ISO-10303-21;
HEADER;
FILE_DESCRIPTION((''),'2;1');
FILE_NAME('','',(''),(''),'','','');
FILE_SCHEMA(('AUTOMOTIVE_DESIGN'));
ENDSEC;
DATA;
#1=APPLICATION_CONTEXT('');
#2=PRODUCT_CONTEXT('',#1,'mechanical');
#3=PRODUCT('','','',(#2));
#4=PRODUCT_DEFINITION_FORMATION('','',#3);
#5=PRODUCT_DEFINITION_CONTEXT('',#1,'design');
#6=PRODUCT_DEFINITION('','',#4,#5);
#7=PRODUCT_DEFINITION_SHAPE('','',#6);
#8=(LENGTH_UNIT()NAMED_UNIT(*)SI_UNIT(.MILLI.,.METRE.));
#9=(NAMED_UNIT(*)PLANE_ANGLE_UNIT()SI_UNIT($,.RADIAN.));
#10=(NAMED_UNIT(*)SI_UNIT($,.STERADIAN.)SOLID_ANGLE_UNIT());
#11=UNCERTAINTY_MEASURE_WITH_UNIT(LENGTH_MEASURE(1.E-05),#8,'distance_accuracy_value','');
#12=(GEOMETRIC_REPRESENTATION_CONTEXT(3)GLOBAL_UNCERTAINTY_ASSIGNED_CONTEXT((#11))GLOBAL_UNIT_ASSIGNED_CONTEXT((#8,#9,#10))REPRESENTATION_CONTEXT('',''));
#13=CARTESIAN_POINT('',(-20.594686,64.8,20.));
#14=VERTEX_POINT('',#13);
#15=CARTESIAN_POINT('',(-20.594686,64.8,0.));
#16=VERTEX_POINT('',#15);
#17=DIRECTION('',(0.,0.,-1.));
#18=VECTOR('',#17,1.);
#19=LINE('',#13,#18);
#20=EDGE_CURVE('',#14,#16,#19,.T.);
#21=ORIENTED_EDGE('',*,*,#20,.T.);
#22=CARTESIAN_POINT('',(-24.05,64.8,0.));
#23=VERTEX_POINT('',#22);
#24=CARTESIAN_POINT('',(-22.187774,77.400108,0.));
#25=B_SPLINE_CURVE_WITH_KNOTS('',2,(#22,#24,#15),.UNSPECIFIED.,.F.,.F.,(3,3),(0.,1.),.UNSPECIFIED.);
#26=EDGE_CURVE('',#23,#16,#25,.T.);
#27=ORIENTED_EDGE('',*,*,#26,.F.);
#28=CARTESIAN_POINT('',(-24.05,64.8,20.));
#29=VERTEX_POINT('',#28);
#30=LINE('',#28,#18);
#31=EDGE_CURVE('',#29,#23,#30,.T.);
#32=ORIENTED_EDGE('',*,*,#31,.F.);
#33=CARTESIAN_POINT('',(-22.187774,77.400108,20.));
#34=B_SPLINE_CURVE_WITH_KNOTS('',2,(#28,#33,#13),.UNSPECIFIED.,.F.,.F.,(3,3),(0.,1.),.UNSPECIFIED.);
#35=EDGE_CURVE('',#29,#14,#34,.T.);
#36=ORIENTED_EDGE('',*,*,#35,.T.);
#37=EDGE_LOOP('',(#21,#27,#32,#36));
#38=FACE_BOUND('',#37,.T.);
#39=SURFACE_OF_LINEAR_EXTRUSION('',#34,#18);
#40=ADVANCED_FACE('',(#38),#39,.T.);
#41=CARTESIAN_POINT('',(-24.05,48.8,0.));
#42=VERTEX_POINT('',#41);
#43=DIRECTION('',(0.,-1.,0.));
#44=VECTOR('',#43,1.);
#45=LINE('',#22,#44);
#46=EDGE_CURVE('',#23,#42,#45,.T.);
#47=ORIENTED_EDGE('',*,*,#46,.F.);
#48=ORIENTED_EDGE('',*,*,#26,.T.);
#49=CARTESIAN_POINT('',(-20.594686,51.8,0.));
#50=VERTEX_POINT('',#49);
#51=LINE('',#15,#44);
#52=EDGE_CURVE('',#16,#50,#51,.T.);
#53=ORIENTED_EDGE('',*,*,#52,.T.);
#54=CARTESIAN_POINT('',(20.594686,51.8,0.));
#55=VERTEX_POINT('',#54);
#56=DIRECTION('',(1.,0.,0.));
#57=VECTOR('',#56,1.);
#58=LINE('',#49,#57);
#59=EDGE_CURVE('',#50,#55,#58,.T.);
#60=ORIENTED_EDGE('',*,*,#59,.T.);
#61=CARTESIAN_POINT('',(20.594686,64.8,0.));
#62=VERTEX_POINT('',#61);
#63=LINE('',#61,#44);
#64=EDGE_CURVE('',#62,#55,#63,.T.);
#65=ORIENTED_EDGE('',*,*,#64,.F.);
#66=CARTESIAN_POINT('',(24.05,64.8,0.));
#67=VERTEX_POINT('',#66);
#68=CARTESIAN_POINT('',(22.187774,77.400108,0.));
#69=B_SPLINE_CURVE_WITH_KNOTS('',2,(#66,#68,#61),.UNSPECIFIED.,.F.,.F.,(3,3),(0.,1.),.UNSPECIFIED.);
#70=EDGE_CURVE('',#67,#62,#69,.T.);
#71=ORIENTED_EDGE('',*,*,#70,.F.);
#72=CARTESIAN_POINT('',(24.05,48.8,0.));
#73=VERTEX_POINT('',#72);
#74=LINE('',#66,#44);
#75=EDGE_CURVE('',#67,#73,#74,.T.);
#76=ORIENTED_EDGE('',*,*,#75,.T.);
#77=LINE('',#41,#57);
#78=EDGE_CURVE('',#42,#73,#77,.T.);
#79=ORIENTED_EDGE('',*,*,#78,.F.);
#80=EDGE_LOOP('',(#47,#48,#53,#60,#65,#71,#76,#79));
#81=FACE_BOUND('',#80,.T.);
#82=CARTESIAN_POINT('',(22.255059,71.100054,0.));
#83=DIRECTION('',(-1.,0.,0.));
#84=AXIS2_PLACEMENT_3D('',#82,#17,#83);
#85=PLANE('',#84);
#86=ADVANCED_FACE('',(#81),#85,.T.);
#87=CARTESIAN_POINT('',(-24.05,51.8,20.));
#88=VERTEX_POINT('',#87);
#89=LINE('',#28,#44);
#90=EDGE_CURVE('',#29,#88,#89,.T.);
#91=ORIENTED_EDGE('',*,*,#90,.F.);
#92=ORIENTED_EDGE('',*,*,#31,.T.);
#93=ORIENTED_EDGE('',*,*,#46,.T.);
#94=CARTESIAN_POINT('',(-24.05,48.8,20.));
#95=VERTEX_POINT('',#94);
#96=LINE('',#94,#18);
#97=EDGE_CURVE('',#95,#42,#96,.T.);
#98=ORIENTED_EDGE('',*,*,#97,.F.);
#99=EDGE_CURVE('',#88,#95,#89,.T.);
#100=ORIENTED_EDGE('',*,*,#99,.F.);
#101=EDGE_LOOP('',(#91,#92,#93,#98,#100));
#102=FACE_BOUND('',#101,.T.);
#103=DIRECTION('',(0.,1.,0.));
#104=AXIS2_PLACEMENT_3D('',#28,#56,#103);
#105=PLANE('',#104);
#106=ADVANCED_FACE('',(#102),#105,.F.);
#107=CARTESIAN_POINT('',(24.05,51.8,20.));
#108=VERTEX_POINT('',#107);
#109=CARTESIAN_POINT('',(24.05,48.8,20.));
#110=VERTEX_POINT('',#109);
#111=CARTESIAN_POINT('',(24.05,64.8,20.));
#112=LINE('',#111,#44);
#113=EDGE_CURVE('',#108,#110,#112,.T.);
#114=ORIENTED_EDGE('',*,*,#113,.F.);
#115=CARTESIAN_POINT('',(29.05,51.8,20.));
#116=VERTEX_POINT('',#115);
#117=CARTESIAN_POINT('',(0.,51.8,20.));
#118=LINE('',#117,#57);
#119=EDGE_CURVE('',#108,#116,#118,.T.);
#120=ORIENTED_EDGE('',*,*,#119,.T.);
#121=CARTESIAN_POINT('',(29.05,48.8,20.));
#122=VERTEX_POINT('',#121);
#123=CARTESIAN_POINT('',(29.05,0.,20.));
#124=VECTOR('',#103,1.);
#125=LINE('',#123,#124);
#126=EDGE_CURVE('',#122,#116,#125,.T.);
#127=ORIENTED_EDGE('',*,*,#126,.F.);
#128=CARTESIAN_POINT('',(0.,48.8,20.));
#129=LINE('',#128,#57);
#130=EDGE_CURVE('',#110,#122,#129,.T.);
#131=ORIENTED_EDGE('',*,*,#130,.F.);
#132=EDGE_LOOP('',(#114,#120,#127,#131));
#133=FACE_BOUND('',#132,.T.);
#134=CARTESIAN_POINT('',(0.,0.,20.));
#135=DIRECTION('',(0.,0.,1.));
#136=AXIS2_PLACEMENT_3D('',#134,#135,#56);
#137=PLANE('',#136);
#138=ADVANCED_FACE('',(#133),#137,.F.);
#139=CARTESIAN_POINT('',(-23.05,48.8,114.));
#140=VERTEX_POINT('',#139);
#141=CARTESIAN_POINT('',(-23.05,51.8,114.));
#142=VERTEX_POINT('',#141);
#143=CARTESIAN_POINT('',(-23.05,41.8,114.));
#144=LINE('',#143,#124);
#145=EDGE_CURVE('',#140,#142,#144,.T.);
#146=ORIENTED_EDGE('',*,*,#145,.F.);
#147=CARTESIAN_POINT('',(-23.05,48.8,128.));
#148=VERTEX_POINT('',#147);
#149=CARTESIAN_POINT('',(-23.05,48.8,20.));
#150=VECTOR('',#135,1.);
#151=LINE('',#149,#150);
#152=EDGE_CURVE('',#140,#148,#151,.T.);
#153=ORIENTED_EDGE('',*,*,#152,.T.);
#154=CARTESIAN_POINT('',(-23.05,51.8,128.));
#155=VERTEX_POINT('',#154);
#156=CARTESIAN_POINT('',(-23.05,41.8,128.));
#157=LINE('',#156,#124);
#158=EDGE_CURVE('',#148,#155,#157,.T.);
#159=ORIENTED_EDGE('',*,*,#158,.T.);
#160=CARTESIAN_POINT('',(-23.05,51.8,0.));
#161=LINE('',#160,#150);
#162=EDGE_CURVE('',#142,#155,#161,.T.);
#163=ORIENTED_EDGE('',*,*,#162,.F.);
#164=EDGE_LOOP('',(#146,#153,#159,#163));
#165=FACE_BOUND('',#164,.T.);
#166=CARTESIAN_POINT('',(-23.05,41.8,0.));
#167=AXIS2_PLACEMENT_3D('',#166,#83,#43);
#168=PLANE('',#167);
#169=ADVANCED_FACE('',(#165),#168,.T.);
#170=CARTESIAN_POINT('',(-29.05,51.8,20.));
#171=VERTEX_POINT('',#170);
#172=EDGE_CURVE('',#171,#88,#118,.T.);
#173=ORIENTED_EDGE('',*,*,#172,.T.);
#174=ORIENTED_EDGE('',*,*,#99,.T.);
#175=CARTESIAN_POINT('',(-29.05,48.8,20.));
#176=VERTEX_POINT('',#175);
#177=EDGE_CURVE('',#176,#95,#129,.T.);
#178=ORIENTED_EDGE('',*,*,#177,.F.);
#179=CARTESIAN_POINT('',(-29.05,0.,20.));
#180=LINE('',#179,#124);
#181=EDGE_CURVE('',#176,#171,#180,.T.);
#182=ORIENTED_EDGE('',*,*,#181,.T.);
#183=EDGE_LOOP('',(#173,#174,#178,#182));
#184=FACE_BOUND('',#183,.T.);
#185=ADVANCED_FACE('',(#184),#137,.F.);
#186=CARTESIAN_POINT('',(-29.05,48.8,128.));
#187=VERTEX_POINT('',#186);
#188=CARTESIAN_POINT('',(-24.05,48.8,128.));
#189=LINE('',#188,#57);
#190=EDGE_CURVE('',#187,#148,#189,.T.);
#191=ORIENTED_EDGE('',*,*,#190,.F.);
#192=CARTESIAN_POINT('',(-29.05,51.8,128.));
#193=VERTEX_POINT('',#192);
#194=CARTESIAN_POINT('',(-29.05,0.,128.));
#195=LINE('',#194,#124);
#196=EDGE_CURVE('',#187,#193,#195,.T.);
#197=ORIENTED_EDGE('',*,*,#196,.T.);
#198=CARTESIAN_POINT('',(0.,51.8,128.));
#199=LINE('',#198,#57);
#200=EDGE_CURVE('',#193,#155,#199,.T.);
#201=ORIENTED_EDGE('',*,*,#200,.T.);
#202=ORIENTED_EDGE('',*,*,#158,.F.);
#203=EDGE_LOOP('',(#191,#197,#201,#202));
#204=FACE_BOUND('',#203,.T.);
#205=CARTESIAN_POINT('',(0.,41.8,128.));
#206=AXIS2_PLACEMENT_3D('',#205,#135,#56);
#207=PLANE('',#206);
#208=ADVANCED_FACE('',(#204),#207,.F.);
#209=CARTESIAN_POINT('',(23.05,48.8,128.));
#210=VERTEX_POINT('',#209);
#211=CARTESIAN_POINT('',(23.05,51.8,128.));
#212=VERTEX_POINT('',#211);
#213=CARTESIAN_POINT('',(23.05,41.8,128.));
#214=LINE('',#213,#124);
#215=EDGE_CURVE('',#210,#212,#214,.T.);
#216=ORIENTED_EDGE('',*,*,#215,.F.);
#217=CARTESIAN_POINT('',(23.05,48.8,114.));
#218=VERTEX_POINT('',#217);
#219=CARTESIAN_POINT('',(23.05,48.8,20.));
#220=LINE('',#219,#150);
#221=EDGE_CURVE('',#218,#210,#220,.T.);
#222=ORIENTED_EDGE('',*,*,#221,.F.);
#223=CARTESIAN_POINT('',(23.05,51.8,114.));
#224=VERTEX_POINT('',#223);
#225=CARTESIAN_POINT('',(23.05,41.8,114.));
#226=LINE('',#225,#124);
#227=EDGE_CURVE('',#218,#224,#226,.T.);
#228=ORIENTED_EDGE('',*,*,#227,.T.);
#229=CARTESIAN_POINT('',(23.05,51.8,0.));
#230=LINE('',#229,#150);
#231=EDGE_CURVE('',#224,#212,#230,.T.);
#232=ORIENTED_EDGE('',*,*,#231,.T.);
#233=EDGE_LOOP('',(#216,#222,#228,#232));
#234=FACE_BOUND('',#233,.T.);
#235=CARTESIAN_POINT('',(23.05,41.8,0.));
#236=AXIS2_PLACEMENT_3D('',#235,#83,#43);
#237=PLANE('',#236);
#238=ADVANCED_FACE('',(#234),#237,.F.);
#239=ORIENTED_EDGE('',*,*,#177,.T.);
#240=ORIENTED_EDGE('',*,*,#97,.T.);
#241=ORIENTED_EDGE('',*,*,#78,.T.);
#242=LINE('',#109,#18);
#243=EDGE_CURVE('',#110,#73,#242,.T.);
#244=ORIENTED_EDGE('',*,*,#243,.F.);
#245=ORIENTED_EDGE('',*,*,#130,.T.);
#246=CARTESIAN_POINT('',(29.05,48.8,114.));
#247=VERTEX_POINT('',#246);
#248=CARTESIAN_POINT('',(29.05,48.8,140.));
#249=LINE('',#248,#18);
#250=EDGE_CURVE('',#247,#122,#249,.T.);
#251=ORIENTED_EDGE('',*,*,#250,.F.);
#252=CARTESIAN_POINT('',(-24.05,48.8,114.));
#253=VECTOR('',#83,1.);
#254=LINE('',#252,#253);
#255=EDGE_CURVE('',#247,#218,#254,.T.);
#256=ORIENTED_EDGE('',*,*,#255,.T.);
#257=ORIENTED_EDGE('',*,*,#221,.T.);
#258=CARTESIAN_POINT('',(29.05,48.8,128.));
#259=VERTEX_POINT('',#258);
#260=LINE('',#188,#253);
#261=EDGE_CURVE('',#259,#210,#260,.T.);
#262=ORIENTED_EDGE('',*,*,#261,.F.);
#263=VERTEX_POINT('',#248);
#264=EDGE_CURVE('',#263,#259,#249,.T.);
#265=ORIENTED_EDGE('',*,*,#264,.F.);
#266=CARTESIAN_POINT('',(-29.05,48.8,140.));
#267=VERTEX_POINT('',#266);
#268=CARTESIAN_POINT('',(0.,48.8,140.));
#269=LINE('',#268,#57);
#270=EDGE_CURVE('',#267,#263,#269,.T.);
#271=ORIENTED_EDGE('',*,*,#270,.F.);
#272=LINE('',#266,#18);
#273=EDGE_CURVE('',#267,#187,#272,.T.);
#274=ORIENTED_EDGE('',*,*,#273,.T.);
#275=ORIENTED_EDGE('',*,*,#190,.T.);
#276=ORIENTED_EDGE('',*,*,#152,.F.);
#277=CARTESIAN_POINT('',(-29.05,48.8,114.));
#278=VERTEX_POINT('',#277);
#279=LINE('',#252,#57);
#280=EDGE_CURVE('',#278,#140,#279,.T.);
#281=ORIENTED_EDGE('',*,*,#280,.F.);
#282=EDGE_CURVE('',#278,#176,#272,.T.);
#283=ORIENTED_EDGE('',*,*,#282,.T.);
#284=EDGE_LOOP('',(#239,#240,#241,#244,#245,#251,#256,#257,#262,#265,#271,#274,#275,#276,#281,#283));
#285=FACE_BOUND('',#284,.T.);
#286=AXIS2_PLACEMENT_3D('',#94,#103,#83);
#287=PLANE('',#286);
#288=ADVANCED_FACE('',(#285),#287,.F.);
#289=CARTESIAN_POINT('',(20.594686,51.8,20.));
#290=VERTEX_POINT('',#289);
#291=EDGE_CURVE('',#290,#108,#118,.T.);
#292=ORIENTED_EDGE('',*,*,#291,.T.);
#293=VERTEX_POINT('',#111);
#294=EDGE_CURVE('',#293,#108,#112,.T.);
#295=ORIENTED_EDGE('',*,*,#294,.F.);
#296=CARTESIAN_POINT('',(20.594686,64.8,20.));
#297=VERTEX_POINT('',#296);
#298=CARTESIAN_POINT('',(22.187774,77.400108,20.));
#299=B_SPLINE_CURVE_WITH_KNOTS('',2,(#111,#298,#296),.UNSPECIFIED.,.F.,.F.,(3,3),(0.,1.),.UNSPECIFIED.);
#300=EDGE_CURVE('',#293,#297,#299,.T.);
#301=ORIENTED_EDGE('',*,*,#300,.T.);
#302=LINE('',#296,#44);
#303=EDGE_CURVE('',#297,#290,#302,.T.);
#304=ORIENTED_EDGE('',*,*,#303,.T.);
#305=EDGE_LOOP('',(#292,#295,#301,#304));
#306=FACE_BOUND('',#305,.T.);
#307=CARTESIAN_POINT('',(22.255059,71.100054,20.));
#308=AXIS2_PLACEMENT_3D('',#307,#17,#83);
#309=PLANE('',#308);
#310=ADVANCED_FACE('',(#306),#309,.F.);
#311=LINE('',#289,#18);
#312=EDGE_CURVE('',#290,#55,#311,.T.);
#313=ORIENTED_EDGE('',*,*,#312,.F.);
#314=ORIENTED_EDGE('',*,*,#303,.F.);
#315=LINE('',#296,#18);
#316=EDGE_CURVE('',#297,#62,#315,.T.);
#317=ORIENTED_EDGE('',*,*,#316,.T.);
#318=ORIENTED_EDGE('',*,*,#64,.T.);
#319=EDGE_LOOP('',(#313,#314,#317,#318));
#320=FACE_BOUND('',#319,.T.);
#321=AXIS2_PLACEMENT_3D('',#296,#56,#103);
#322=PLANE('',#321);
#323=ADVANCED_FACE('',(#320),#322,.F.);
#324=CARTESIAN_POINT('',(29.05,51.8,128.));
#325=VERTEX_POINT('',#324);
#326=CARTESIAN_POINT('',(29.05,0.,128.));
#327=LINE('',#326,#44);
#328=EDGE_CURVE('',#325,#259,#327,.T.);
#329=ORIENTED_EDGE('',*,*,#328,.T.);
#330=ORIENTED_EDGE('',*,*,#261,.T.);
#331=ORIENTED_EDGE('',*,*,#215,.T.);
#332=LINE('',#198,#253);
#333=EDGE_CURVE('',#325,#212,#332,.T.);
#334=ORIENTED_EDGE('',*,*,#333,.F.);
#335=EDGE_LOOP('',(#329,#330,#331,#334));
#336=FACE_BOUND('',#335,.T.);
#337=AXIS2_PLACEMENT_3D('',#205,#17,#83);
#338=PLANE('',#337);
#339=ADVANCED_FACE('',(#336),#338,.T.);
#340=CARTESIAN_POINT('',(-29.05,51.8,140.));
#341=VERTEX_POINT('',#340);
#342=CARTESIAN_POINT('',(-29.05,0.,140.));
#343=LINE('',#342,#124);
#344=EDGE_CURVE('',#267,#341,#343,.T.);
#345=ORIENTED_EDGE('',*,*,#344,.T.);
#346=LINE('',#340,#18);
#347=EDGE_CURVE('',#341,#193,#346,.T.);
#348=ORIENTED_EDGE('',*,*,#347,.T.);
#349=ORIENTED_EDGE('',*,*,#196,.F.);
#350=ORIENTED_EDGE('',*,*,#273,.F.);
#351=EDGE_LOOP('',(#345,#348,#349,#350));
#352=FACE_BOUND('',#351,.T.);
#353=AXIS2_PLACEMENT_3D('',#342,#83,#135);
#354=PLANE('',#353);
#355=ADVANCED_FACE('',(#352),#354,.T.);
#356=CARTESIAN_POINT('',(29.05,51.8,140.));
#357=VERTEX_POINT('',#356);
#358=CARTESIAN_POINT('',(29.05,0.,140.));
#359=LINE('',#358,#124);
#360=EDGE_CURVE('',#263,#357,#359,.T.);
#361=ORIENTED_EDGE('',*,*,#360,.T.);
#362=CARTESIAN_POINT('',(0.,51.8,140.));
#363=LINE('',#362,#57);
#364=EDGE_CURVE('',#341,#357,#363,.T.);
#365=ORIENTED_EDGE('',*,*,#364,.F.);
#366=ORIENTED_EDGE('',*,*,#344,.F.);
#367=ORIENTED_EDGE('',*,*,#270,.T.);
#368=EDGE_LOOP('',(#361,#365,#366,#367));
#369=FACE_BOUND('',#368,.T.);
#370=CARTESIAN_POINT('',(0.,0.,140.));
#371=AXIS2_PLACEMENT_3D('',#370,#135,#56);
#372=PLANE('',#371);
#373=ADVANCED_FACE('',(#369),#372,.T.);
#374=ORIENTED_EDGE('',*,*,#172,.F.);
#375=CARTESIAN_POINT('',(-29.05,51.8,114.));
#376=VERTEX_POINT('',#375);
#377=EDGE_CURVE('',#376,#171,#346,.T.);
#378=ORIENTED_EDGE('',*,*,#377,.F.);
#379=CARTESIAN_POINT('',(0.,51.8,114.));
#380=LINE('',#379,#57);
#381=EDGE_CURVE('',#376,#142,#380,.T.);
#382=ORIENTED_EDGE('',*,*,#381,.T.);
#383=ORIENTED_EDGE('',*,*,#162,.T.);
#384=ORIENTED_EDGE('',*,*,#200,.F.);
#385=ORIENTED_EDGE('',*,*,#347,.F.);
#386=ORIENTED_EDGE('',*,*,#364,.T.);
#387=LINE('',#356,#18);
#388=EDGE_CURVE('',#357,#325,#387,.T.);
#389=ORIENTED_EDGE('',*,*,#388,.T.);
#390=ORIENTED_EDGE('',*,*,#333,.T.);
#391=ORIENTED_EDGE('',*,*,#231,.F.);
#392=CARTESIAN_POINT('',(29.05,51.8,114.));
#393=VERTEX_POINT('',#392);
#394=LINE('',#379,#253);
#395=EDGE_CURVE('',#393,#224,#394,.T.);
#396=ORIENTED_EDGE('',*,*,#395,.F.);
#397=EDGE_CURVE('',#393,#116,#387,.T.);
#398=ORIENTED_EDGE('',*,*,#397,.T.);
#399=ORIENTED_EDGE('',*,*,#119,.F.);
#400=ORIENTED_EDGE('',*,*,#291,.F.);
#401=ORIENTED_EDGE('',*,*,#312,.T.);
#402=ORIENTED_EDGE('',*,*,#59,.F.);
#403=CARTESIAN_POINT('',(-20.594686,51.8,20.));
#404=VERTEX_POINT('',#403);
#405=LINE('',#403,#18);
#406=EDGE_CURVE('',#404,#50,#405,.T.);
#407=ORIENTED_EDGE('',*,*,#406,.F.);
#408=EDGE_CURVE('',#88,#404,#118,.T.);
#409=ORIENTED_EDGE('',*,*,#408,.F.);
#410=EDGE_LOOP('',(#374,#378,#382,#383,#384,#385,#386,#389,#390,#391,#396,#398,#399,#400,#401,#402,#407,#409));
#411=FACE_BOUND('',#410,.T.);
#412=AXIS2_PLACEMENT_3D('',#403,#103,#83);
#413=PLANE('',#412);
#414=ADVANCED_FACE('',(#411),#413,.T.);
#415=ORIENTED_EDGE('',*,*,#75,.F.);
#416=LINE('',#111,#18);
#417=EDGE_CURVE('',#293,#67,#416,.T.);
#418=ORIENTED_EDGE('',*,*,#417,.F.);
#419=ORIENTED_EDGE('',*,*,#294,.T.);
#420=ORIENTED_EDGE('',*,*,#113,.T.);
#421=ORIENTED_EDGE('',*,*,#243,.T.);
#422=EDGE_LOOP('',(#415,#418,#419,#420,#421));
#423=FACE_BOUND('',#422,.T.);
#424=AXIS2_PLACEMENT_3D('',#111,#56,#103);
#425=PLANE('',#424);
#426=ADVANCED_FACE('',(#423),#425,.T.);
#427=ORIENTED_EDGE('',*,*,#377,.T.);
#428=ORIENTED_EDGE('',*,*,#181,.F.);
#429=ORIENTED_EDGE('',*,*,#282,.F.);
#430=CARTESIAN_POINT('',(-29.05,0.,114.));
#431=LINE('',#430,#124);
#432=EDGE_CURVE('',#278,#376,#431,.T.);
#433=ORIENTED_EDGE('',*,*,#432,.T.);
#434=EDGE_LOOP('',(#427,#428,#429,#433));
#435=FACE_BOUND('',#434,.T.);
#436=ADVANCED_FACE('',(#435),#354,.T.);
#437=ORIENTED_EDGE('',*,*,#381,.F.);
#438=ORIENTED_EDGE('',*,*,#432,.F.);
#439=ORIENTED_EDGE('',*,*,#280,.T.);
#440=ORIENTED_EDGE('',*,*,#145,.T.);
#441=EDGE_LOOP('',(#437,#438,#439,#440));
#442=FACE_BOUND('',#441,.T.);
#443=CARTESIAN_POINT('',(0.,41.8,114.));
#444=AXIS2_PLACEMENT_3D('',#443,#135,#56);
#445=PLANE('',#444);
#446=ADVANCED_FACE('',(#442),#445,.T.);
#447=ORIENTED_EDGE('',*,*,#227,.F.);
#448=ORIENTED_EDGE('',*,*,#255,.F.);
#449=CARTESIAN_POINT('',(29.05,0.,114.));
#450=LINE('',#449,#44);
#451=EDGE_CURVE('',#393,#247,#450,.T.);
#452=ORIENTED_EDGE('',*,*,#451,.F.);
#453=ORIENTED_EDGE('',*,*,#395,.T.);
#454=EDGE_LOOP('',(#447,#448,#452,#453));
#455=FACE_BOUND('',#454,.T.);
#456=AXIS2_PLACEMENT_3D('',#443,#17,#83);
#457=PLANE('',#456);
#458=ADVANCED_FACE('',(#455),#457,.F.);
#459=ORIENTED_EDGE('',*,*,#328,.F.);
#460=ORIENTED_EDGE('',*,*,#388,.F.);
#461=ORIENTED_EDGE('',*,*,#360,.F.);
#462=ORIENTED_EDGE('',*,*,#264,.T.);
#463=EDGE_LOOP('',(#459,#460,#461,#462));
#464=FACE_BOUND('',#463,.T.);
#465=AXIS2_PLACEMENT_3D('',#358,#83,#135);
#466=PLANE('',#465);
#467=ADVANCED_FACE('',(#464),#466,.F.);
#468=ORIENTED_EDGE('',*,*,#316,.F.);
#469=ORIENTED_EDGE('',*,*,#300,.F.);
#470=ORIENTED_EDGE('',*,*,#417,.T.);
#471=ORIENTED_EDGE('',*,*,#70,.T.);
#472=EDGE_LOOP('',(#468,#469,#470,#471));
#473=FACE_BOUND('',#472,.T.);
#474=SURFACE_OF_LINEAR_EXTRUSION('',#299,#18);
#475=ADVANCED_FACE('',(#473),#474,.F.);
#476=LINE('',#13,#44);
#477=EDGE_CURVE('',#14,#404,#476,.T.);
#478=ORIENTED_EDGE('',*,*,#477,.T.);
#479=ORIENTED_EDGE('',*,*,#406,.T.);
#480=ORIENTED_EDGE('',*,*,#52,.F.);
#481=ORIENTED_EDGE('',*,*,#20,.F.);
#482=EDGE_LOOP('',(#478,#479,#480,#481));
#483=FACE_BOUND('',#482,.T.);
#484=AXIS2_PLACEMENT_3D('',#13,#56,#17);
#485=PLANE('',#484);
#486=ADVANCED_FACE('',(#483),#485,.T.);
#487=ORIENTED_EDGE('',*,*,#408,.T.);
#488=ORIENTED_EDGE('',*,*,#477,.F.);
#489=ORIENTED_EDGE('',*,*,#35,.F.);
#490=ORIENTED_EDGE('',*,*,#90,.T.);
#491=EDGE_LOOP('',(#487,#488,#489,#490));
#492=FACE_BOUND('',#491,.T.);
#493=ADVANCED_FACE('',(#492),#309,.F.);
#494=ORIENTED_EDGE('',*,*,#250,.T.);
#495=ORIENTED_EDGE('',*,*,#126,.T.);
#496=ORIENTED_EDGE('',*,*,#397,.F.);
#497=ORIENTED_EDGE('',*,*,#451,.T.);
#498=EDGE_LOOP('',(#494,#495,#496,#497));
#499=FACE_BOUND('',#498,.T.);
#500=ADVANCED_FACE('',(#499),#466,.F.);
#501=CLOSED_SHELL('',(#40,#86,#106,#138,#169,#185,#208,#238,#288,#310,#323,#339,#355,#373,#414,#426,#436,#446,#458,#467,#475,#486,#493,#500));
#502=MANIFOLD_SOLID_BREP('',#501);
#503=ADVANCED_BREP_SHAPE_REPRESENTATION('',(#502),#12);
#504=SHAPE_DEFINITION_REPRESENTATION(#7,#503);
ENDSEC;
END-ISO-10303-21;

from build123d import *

# Parameters (mm, degrees)
BOSS_EXTRUDE1_DEPTH = 20
SKETCH2_W           = 5
SKETCH2_H           = 3
BOSS_EXTRUDE2_DEPTH = 120
SKETCH4_W           = 6
SKETCH4_H           = 14
CUT_EXTRUDE1_DEPTH  = 10


with BuildPart() as part:
    # Sketch1 → Boss-Extrude1 (new body)
    with BuildSketch(Plane.XY):
        with BuildLine():
            Line((-24.05, 64.8), (-24.05, 48.8))
            Line((-24.05, 48.8), (24.05, 48.8))
            Line((24.05, 48.8), (24.05, 64.8))
            add(Edge.make_bspline(
                [(24.05, 64.8), (22.187774265, 77.400108054), (20.594686421, 64.8)],
                knots=[0, 0, 0, 1, 1, 1], degree=2))
            Line((20.594686421, 64.8), (20.594686421, 51.8))
            Line((20.594686421, 51.8), (-20.594686421, 51.8))
            Line((-20.594686421, 51.8), (-20.594686421, 64.8))
            add(Edge.make_bspline(
                [(-24.05, 64.8), (-22.187774265, 77.400108054), (-20.594686421, 64.8)],
                knots=[0, 0, 0, 1, 1, 1], degree=2))
        make_face()
    extrude(amount=BOSS_EXTRUDE1_DEPTH)

    # Sketch2 → Boss-Extrude2 (add)
    with BuildSketch(Plane.XY.offset(20)):
        with Locations((-26.55, 50.3)):
            Rectangle(SKETCH2_W, SKETCH2_H)
        Polygon((-24.05, 51.8), (-24.05, 48.8), (24.05, 48.8), (24.05, 51.8), (20.594686421, 51.8), (-20.594686421, 51.8), align=None)
        with Locations((26.55, 50.3)):
            Rectangle(SKETCH2_W, SKETCH2_H)
    extrude(amount=BOSS_EXTRUDE2_DEPTH)

    # Sketch4 → Cut-Extrude1 (cut)
    with BuildSketch(Plane(origin=(0, 51.8, 0), x_dir=(1, 0, 0), z_dir=(0, 1, 0))):
        with Locations((-26.05, -121)):
            Rectangle(SKETCH4_W, SKETCH4_H)
        with Locations((26.05, -121)):
            Rectangle(SKETCH4_W, SKETCH4_H)
    extrude(amount=-CUT_EXTRUDE1_DEPTH, mode=Mode.SUBTRACT)


solid = part.part
